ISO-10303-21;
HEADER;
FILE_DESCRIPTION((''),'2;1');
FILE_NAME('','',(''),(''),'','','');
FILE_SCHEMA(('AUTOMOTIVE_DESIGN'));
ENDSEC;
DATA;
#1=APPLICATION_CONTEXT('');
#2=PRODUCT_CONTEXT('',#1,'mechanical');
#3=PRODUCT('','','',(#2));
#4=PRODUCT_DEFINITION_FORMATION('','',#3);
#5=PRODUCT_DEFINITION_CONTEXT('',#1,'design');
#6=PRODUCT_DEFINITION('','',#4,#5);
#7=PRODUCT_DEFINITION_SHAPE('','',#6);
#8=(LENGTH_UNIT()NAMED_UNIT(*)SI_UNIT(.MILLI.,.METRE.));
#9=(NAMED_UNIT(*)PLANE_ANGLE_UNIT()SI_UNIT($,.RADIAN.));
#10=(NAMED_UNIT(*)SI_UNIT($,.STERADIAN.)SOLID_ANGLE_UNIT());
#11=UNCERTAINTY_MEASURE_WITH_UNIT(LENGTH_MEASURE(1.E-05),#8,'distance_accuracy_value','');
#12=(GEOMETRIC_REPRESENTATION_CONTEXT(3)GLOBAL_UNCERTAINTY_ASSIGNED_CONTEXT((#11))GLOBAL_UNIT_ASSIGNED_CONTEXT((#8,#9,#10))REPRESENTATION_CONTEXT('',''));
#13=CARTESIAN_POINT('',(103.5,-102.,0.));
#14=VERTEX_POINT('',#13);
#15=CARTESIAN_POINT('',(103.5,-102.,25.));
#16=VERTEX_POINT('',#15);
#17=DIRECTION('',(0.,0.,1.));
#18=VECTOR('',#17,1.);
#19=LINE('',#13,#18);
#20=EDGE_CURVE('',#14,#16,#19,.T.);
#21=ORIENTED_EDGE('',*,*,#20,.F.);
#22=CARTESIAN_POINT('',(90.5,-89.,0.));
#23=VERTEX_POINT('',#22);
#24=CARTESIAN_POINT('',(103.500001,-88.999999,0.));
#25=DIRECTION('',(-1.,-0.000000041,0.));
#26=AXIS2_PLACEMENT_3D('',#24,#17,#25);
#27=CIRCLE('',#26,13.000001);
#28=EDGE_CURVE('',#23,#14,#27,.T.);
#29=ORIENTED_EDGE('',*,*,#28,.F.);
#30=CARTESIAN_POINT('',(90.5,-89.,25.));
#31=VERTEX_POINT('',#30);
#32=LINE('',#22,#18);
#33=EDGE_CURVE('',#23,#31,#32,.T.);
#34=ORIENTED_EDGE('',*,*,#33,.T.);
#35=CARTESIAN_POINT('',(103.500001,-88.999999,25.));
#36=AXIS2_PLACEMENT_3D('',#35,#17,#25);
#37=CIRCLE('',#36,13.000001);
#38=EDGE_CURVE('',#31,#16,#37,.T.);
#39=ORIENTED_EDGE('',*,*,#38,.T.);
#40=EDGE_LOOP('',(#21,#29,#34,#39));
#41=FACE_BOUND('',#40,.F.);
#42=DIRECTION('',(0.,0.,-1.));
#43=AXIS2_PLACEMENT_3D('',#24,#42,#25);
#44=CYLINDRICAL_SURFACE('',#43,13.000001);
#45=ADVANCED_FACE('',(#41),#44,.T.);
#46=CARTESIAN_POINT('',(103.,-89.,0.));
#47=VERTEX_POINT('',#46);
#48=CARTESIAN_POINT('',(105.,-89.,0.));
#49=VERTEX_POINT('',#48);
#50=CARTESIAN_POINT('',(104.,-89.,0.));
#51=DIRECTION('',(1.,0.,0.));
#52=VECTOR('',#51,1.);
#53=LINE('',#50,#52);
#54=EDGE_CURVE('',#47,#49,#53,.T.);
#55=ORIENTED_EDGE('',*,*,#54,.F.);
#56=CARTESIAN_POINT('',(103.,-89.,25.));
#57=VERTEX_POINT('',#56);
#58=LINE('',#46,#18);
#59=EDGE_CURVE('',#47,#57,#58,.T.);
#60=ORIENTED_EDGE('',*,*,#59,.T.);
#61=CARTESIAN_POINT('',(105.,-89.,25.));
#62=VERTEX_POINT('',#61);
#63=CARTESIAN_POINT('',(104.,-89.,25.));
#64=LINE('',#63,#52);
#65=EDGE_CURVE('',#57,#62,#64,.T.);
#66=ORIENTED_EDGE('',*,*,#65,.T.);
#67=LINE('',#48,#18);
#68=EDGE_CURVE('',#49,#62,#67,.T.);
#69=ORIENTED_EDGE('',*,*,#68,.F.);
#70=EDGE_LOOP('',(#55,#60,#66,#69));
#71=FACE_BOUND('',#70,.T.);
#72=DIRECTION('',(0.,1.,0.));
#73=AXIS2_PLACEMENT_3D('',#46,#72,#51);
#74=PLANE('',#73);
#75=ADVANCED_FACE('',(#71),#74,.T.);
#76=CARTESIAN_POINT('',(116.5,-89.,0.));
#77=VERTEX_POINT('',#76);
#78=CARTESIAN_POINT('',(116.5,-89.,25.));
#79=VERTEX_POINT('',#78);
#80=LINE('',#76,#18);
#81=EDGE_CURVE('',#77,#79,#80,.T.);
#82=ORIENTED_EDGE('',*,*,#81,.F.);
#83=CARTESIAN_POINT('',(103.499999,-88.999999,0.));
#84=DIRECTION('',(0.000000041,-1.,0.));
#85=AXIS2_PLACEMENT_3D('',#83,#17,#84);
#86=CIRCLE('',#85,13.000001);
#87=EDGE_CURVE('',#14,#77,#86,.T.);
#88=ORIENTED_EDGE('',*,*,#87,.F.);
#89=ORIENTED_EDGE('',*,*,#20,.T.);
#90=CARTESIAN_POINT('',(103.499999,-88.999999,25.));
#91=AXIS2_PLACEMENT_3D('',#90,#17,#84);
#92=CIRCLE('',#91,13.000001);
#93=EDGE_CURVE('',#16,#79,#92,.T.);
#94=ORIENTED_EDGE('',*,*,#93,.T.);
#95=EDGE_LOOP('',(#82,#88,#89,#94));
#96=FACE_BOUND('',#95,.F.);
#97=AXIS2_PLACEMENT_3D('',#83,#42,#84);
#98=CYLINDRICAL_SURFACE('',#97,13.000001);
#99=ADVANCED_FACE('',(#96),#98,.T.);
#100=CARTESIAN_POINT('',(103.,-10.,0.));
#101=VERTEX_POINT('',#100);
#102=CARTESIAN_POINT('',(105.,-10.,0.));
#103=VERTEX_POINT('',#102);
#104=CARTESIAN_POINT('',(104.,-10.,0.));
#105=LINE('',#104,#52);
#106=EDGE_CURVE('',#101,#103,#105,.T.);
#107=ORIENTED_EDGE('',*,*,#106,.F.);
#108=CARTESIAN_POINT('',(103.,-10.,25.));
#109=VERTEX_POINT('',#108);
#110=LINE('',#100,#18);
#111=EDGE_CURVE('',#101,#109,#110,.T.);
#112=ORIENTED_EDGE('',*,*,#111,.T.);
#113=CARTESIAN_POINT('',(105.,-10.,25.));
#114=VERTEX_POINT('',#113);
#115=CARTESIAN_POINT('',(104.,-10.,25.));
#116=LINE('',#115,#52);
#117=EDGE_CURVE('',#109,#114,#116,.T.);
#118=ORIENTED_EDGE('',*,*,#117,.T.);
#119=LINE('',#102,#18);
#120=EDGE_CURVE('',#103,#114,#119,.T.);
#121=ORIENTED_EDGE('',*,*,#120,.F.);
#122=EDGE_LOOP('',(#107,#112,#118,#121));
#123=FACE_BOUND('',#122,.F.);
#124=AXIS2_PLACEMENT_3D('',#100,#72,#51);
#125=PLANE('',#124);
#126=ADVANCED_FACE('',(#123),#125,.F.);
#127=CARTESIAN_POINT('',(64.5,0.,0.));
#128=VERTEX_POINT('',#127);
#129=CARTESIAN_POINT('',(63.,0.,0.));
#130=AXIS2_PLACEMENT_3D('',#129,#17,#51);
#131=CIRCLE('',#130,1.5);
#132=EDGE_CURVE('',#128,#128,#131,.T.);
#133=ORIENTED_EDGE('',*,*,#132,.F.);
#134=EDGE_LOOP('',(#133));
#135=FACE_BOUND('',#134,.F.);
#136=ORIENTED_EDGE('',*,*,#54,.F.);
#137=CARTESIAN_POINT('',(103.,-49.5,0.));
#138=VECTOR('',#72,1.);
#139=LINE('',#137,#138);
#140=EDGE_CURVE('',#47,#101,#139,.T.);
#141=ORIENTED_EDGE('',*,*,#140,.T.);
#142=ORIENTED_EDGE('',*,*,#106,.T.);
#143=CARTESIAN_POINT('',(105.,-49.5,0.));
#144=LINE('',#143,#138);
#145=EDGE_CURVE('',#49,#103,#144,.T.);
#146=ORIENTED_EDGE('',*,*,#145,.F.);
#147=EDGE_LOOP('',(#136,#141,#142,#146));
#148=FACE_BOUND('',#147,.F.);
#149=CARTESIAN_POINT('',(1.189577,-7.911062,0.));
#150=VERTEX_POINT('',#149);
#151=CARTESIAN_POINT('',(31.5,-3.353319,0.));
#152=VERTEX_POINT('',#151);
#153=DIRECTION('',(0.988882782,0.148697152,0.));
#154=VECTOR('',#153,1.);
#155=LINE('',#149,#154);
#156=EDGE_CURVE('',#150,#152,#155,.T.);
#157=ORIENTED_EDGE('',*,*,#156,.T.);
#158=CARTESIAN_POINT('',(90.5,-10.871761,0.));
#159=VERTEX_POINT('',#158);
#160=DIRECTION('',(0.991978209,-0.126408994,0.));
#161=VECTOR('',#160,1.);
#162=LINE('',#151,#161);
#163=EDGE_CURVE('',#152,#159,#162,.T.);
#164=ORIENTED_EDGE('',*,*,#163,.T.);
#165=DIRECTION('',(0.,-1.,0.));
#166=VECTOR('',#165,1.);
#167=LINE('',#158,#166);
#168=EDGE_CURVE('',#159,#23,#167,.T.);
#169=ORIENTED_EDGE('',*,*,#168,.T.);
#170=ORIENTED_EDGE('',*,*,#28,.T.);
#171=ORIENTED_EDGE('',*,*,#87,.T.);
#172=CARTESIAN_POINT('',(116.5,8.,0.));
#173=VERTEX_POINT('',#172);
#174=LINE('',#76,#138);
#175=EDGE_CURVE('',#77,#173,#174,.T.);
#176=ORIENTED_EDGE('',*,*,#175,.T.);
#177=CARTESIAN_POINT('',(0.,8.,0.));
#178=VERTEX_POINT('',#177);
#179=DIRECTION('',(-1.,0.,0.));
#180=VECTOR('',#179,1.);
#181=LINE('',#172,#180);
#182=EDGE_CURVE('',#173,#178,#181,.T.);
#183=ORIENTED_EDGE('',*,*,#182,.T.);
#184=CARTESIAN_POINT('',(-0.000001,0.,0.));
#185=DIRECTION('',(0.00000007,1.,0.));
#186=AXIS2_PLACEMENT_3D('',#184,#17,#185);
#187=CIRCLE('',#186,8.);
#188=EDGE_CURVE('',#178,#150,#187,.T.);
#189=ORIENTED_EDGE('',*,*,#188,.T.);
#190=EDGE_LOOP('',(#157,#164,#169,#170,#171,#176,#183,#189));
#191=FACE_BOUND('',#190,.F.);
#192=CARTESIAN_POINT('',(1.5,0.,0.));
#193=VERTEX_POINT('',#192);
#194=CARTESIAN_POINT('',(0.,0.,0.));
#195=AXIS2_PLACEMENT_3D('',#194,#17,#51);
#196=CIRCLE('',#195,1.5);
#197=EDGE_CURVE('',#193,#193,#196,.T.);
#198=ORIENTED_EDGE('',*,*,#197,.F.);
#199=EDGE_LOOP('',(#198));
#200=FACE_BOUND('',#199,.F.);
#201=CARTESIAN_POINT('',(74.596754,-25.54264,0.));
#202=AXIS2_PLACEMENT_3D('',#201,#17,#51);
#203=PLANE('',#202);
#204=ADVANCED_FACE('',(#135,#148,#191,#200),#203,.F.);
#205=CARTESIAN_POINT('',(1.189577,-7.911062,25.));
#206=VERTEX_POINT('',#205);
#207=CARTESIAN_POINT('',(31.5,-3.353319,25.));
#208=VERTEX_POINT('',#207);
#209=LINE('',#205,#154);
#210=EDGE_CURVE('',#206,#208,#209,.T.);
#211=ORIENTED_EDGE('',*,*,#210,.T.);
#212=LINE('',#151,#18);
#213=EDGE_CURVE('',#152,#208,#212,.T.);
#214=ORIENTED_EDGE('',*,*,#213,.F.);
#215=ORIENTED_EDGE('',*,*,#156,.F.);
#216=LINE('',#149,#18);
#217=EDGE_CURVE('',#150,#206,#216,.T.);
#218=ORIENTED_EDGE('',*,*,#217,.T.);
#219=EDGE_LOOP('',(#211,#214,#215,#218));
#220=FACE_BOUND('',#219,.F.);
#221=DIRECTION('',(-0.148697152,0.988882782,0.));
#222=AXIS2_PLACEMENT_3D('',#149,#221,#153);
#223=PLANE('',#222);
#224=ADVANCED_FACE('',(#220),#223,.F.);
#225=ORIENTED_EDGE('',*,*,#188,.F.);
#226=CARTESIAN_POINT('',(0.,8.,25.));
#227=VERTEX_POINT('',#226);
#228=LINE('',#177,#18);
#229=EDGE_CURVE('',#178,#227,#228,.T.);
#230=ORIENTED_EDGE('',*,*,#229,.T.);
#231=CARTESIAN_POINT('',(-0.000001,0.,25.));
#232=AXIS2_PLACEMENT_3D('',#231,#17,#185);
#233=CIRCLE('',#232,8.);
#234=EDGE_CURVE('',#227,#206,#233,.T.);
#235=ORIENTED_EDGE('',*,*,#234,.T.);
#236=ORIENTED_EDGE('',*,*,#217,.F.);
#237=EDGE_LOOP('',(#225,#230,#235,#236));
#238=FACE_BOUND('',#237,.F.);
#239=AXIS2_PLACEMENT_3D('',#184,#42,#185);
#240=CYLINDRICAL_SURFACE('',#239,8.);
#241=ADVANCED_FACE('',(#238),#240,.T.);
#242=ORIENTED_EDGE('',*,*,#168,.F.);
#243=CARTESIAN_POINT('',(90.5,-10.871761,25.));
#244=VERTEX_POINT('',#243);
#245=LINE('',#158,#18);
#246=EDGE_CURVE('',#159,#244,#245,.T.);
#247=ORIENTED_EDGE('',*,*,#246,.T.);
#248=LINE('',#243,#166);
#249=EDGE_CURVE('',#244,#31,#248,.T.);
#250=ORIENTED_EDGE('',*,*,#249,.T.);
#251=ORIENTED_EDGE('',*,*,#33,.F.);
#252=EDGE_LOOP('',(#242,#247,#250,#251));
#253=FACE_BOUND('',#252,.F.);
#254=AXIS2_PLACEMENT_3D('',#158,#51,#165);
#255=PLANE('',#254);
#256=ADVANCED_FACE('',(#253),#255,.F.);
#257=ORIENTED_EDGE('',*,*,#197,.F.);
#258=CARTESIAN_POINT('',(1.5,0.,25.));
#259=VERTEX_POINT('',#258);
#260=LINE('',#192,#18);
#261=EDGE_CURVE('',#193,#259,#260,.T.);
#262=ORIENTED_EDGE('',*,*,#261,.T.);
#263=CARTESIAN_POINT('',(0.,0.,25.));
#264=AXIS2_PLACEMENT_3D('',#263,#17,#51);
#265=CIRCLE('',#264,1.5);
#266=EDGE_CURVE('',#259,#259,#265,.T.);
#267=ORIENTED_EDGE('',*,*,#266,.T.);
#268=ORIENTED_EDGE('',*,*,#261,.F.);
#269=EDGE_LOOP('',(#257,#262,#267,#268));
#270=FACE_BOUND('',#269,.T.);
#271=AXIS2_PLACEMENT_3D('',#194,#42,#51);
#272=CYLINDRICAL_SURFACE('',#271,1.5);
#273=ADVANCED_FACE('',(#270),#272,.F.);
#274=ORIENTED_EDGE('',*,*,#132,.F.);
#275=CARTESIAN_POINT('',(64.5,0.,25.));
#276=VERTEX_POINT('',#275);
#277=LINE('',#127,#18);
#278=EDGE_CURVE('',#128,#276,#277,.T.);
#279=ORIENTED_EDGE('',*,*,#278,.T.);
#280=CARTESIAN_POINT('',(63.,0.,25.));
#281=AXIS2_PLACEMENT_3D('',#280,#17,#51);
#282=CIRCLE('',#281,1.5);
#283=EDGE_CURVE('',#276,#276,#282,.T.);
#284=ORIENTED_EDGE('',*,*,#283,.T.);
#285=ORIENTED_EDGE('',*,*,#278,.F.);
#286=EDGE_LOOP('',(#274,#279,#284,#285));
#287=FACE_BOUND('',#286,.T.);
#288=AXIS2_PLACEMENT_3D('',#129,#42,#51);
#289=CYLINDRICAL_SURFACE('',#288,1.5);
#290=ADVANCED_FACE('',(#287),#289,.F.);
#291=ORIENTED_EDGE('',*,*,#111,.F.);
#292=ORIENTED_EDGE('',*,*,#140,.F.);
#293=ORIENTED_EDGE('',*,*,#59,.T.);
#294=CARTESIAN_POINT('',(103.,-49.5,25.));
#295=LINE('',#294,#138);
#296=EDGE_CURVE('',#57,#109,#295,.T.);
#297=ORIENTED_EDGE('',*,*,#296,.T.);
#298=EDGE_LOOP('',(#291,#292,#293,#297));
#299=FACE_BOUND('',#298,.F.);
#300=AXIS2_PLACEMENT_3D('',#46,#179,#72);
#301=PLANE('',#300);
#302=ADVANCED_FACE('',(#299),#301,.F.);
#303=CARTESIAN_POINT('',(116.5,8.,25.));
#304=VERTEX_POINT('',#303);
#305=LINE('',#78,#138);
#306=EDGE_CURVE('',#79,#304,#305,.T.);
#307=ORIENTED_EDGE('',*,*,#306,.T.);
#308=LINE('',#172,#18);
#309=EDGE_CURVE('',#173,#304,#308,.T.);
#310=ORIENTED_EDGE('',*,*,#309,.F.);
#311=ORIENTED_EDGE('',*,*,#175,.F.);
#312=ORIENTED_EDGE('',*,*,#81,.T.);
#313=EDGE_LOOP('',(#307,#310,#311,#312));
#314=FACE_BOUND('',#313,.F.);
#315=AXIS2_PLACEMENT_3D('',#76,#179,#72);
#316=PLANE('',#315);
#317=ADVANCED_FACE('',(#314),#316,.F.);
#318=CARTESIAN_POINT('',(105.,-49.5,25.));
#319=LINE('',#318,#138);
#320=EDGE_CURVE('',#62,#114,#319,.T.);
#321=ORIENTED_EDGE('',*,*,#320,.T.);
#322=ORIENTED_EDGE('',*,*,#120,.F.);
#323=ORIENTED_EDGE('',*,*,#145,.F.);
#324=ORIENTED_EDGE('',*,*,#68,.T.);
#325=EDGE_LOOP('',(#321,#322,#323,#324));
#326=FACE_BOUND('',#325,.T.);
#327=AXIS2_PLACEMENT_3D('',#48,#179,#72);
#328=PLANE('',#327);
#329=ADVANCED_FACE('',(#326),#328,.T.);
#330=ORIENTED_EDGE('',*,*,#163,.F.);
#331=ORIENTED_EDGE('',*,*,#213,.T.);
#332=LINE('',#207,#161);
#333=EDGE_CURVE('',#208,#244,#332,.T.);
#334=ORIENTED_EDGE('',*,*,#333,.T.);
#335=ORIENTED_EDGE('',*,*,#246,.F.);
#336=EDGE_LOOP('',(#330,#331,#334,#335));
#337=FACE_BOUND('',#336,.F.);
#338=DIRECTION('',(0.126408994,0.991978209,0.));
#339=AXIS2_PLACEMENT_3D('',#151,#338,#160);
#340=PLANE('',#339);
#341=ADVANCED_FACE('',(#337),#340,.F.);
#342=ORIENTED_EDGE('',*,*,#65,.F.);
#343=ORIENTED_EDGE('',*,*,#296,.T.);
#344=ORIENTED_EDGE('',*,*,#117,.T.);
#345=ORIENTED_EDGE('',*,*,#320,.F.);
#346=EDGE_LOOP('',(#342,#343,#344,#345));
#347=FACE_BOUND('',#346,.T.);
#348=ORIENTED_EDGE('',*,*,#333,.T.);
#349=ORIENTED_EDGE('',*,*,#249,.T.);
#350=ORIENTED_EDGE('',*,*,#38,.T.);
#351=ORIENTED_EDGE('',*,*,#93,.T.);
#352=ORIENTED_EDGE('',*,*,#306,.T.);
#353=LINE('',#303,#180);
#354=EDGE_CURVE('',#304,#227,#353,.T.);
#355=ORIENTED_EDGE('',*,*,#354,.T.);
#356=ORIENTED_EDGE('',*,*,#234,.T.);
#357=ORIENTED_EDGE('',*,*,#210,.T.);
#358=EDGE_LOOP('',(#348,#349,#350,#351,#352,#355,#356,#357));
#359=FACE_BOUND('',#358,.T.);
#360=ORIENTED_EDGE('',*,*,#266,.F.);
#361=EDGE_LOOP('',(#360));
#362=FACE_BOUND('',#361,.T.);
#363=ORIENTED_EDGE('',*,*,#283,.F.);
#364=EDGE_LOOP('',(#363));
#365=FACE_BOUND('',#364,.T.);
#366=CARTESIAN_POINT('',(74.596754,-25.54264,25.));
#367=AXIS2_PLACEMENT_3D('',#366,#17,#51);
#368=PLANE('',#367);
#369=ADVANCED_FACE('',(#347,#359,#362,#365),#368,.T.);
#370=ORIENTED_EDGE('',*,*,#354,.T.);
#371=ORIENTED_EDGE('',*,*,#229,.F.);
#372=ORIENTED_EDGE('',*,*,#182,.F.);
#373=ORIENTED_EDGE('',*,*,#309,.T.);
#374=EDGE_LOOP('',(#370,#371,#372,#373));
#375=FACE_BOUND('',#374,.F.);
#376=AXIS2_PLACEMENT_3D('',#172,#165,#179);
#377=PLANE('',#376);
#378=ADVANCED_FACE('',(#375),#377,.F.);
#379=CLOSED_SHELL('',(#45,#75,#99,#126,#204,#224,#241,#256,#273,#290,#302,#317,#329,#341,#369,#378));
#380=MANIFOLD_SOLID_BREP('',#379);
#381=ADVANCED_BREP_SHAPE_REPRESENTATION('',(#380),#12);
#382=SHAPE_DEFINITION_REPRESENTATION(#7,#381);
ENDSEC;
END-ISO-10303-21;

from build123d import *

# Parameters (mm, degrees)
F0_W     = 2
F0_H     = 79
F0_R     = 1.5
F1_DEPTH = 25


with BuildPart() as f1:
    # F0 (on Top) → F1 (new body)
    with BuildSketch(Plane.XY):
        with BuildLine():
            Line((116.5, 8), (0, 8))
            ThreePointArc((0, 8), (-7.977735, -0.596449), (1.189577, -7.911062))
            Line((1.189577, -7.911062), (31.5, -3.353319))
            Line((31.5, -3.353319), (90.5, -10.871761))
            Line((90.5, -10.871761), (90.5, -89))
            ThreePointArc((90.5, -89), (94.307612, -98.192388), (103.5, -102))
            ThreePointArc((103.5, -102), (112.692388, -98.192388), (116.5, -89))
            Line((116.5, -89), (116.5, 8))
        make_face()
        with Locations((104, -49.5)):
            Rectangle(F0_W, F0_H, mode=Mode.SUBTRACT)
        Circle(F0_R, mode=Mode.SUBTRACT)
        with Locations((63, 0)):
            Circle(F0_R, mode=Mode.SUBTRACT)
    extrude(amount=F1_DEPTH)


solid = f1.part
